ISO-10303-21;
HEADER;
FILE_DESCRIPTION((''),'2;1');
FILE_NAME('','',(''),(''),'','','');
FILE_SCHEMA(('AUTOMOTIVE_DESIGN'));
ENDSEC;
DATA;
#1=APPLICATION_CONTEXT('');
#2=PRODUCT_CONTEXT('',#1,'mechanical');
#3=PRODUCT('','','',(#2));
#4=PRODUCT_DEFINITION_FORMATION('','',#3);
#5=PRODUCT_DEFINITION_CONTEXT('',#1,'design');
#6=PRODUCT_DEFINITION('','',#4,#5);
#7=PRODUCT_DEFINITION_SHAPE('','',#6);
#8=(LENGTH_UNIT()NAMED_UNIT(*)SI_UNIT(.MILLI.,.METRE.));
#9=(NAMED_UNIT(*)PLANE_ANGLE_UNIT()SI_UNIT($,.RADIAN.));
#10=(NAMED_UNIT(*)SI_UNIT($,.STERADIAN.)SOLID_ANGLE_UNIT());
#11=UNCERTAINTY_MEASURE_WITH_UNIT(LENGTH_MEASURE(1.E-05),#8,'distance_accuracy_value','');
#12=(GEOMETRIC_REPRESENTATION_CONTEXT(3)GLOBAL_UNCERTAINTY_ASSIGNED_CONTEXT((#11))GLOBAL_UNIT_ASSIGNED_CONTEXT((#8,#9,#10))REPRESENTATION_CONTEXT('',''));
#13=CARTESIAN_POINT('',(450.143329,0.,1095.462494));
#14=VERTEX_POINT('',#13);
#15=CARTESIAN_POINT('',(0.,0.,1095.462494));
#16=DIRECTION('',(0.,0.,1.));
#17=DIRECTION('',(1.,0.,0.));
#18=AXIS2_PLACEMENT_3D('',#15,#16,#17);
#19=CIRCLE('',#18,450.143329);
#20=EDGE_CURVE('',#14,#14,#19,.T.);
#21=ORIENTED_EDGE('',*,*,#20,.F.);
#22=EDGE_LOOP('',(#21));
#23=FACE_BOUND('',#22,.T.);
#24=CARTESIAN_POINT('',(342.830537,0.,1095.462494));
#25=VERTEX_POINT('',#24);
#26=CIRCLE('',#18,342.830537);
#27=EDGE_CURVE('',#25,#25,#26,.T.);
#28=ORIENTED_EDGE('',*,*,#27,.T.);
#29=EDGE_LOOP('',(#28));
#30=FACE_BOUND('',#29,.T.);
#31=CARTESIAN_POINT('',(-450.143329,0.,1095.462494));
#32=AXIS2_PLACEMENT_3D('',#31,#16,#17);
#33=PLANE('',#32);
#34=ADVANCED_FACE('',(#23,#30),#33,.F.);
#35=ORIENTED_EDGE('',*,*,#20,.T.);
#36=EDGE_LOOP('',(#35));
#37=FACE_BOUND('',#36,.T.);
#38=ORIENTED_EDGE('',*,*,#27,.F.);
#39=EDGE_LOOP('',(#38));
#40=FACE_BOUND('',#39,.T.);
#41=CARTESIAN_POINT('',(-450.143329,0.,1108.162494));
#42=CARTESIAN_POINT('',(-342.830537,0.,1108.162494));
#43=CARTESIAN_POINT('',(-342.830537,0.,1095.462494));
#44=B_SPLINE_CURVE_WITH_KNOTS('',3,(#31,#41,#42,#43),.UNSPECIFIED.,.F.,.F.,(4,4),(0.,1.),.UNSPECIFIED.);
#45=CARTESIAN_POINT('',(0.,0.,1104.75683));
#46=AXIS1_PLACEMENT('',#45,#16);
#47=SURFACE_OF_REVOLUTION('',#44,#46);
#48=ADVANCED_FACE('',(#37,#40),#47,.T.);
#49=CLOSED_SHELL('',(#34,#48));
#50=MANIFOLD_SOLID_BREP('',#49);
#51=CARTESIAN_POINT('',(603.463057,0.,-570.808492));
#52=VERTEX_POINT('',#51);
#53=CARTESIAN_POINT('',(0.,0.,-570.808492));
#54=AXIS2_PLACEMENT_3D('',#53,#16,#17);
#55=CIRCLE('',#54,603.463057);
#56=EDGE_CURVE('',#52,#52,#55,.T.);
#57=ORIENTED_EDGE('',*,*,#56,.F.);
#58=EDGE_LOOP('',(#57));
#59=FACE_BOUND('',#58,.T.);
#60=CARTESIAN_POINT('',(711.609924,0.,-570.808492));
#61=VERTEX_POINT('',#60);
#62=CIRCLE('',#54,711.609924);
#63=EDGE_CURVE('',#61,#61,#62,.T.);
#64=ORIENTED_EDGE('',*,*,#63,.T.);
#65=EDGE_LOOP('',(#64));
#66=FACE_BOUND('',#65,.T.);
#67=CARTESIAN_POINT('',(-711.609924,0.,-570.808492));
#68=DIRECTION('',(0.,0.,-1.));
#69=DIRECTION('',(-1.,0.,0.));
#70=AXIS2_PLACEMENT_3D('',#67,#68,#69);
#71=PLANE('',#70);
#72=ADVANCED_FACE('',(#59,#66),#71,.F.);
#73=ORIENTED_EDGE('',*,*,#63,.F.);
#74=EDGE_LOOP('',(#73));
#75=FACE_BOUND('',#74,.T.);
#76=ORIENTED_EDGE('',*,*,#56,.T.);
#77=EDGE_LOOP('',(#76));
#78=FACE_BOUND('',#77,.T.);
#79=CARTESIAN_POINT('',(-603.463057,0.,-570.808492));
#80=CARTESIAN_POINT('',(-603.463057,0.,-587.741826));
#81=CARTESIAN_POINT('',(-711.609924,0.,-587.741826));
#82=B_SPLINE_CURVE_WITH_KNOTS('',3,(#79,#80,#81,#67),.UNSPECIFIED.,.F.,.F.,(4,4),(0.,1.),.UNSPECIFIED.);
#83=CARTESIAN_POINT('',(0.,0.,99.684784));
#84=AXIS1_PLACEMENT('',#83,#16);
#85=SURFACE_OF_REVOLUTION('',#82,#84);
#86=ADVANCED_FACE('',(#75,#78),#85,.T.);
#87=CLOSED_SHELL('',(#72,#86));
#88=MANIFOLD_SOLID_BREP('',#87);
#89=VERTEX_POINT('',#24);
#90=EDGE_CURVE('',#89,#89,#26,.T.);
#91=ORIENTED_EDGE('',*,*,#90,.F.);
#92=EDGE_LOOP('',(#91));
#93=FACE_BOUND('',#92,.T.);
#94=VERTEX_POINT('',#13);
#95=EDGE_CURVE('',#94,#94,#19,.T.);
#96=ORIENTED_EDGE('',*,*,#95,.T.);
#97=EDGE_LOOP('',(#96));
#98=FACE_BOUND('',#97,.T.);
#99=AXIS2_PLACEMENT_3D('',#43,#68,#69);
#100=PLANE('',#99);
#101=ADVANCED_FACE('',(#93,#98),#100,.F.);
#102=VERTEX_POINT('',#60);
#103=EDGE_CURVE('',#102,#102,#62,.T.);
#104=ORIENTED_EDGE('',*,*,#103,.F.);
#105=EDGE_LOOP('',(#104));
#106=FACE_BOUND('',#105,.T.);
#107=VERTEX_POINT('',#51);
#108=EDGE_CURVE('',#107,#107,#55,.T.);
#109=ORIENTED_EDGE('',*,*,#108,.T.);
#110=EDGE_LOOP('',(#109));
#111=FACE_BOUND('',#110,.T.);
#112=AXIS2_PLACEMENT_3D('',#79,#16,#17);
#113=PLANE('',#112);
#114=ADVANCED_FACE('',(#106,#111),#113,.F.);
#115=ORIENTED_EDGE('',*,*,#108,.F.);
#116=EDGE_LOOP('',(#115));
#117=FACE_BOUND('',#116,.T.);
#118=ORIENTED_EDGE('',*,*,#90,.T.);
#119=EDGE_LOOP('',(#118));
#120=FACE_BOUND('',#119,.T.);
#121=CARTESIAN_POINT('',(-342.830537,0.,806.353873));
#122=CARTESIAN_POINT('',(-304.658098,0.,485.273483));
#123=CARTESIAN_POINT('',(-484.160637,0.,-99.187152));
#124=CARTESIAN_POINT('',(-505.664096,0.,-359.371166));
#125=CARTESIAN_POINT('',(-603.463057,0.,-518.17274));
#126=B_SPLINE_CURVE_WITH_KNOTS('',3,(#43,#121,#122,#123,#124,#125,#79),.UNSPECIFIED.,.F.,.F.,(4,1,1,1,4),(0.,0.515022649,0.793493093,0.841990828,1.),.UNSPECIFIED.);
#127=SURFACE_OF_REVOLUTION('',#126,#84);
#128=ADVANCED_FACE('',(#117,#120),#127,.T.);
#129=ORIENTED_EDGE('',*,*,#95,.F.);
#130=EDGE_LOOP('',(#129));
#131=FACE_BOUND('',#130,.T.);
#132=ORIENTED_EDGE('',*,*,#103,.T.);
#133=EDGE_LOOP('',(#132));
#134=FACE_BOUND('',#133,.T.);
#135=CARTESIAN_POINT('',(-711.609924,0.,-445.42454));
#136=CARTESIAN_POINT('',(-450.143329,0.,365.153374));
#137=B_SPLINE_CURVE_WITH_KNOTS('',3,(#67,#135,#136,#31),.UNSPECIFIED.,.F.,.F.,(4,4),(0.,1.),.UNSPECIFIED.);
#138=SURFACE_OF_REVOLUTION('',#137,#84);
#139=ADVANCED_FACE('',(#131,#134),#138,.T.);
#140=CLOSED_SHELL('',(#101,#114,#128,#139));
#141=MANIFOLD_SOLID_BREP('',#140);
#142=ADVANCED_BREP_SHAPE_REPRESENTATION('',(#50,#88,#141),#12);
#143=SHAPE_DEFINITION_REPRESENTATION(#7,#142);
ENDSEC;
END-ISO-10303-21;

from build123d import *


with BuildPart() as part:
    # Sketch21 → Revolve2 (revolve)
    with BuildSketch(Plane(origin=(0, 0, 0), x_dir=(1, 0, 0), z_dir=(0, 1, 0))):
        with BuildLine():
            Line((-342.830536996, -1095.462493929), (-450.143329298, -1095.462493929))
            add(Edge.make_bspline(
                [(-711.609923736, 570.808492492), (-711.609923736, 445.424540116), (-450.143329298, -365.153373544), (-450.143329298, -1095.462493929)],
                knots=[0, 0, 0, 0, 1, 1, 1, 1], degree=3))
            Line((-711.609923736, 570.808492492), (-603.463057221, 570.808492492))
            add(Edge.make_bspline(
                [(-603.463057221, 570.808492492), (-603.463057221, 518.17273997), (-505.664095697, 359.371165984), (-484.160636642, 99.187151717), (-304.658098036, -485.273482821), (-342.830536996, -806.353873289), (-342.830536996, -1095.462493929)],
                knots=[0, 0, 0, 0, 0.158009172, 0.206506907, 0.484977351, 1, 1, 1, 1], degree=3))
        make_face()
    revolve(axis=Axis((0, 0, 99.684784321), (0, 0, -1)))


with BuildPart() as body_2:
    # Sketch22 → Revolve3 (revolve)
    with BuildSketch(Plane(origin=(0, 0, 0), x_dir=(1, 0, 0), z_dir=(0, 1, 0))):
        with BuildLine():
            Line((-711.609923736, 570.808492492), (-603.463057221, 570.808492492))
            add(Edge.make_bspline(
                [(-711.609923736, 570.808492492), (-711.609923736, 587.741825826), (-603.463057221, 587.741825826), (-603.463057221, 570.808492492)],
                knots=[0, 0, 0, 0, 1, 1, 1, 1], degree=3))
        make_face()
    revolve(axis=Axis((0, 0, 99.684784321), (0, 0, -1)))


with BuildPart() as body_3:
    # Sketch23 → Revolve4 (revolve)
    with BuildSketch(Plane(origin=(0, 0, 0), x_dir=(1, 0, 0), z_dir=(0, 1, 0))):
        with BuildLine():
            Line((-450.143329298, -1095.462493929), (-342.830536996, -1095.462493929))
            add(Edge.make_bspline(
                [(-450.143329298, -1095.462493929), (-450.143329298, -1108.162493929), (-342.830536996, -1108.162493929), (-342.830536996, -1095.462493929)],
                knots=[0, 0, 0, 0, 1, 1, 1, 1], degree=3))
        make_face()
    revolve(axis=Axis((0, 0, 1104.756830123), (0, 0, -1)))


solid = Compound([part.part, body_2.part, body_3.part])
